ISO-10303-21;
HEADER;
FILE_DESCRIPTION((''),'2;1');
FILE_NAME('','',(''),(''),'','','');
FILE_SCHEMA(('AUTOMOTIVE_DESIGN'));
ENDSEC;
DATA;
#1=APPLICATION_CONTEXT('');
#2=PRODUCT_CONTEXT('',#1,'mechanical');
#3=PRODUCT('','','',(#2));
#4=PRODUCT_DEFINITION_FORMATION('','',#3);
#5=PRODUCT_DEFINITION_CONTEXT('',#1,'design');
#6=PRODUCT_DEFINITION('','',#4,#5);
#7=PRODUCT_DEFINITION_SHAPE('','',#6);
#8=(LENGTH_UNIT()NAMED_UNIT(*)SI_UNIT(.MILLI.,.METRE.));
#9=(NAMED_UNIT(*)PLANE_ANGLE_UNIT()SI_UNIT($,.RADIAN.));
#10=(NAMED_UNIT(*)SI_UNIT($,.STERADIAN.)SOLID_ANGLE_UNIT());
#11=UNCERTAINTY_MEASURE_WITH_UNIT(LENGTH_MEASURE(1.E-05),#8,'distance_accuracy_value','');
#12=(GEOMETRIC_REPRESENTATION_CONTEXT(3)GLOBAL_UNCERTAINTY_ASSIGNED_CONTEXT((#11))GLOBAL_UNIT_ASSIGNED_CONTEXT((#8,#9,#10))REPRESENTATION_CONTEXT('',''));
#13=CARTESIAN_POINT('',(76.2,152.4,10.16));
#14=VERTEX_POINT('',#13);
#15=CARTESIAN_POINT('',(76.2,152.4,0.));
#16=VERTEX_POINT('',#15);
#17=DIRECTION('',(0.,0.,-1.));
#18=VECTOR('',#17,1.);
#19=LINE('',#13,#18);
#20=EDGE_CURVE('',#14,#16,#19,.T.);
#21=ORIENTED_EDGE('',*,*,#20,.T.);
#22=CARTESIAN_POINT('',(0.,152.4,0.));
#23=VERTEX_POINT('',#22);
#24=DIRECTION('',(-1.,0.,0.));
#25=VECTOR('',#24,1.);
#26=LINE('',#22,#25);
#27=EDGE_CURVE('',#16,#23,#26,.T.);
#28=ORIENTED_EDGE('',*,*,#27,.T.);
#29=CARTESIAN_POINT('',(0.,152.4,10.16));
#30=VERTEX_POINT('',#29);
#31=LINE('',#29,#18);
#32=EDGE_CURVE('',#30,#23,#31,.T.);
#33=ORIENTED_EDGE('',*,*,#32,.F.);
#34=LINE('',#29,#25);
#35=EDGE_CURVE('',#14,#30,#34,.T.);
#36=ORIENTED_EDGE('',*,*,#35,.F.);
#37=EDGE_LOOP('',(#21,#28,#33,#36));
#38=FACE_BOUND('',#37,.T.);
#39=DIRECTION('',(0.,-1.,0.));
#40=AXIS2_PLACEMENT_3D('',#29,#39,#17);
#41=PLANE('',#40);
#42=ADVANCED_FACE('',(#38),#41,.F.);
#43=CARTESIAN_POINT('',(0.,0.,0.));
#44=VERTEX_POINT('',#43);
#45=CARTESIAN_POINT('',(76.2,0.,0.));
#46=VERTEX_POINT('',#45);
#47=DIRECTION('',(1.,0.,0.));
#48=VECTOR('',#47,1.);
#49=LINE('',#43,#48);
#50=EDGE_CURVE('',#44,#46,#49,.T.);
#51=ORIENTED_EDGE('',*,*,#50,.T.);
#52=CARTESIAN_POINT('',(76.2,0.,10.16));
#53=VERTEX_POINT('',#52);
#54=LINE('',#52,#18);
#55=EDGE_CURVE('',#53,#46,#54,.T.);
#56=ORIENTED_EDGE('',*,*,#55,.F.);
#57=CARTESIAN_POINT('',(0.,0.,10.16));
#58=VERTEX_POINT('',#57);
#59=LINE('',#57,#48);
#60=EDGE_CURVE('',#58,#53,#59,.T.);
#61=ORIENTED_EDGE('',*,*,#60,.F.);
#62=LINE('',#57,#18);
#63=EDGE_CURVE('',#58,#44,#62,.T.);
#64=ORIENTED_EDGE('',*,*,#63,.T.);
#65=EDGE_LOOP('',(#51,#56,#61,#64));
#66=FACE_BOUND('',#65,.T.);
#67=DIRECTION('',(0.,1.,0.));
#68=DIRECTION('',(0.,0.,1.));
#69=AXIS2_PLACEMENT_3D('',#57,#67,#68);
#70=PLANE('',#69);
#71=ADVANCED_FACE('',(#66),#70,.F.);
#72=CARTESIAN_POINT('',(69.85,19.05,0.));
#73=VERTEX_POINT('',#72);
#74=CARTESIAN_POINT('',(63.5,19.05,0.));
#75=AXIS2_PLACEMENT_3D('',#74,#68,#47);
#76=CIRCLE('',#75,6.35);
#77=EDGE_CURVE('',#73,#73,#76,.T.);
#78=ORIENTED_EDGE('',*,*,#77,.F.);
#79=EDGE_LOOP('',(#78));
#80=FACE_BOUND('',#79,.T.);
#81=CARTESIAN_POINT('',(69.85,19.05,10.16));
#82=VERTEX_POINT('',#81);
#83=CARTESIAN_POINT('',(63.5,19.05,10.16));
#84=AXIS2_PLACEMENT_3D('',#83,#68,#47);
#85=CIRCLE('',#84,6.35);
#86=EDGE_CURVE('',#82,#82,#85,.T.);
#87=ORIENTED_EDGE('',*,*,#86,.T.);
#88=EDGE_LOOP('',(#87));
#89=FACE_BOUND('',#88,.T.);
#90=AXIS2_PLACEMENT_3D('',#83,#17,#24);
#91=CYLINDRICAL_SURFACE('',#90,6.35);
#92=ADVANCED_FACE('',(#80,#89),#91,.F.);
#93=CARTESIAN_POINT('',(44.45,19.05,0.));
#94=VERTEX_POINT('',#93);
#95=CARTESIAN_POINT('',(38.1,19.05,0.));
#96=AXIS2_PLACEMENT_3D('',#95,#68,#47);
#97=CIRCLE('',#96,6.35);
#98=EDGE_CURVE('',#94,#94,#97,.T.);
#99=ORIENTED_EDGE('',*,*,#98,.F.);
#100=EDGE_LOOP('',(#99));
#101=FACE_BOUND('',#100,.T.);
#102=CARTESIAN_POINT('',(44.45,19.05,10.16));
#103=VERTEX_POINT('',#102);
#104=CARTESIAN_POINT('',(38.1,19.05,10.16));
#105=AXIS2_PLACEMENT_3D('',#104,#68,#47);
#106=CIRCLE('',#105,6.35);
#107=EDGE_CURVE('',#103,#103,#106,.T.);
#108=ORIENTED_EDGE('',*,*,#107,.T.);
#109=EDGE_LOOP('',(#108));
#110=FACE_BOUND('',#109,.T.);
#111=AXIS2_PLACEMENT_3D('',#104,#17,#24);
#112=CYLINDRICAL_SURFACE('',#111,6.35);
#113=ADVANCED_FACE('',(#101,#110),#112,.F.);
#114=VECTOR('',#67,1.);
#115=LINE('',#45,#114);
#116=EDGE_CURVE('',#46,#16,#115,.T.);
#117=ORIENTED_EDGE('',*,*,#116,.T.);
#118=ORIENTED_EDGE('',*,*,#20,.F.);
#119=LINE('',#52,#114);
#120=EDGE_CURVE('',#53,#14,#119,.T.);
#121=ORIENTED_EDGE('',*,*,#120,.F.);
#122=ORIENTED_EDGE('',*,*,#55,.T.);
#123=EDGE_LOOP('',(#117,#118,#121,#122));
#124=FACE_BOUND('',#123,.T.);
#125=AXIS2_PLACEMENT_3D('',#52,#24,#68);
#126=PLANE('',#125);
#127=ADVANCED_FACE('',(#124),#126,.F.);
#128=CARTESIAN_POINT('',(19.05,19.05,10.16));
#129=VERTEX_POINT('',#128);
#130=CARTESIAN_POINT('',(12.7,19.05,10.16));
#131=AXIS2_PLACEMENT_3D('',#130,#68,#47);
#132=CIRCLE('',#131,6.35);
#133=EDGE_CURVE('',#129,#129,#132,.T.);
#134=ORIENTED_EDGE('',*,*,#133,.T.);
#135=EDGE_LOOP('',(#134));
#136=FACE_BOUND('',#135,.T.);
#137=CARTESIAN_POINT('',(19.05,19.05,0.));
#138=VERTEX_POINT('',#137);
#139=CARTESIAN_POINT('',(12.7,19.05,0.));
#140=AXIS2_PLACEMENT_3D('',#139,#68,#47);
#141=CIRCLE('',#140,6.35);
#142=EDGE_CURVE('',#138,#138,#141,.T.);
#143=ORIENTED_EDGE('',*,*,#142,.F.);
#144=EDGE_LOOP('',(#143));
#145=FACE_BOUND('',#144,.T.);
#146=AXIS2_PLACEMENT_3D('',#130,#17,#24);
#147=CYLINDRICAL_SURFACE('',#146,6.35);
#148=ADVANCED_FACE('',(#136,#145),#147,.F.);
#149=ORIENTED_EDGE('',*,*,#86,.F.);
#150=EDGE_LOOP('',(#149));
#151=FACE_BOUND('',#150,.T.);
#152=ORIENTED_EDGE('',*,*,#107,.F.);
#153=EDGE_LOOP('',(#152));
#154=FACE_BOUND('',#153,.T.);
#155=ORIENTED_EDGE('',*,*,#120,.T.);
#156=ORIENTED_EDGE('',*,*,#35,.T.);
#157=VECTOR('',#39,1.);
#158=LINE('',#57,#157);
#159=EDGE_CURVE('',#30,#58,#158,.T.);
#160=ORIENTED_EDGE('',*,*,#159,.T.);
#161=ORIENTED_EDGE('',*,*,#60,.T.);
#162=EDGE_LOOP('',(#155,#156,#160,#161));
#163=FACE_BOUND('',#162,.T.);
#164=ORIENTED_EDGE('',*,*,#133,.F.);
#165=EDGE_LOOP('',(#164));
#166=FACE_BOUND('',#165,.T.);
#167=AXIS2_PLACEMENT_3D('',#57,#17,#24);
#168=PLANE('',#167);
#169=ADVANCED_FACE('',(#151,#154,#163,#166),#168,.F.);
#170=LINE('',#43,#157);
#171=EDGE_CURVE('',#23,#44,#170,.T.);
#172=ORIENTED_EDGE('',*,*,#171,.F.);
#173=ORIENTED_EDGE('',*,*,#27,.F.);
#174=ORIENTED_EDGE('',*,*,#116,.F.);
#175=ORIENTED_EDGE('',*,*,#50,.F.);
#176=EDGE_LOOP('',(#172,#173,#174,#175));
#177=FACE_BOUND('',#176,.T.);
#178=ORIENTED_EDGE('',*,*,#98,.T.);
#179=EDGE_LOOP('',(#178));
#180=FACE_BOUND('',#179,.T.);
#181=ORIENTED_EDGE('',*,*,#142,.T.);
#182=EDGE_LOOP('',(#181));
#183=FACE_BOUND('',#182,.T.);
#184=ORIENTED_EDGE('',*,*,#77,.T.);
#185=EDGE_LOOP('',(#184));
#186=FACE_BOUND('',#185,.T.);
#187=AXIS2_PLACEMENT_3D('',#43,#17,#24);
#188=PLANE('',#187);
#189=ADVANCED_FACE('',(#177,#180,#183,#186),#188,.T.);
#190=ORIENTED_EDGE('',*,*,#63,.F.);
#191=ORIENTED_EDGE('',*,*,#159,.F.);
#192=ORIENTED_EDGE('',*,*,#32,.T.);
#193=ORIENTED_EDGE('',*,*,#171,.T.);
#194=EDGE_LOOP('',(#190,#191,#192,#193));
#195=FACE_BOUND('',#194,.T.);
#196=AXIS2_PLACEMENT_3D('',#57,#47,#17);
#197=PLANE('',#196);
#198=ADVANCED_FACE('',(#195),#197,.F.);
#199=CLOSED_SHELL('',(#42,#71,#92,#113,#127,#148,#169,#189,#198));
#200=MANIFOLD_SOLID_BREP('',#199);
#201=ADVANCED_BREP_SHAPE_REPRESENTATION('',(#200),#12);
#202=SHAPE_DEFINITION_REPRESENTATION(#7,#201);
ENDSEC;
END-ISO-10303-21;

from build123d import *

# Parameters (mm, degrees)
SKETCH1_W           = 76.2
SKETCH1_H           = 152.4
SKETCH1_R           = 6.35
BOSS_EXTRUDE1_DEPTH = 10.16


with BuildPart() as part:
    # Sketch1 → Boss-Extrude1 (new body)
    with BuildSketch(Plane.XY):
        with Locations((38.1, 76.2)):
            Rectangle(SKETCH1_W, SKETCH1_H)
        with Locations((12.7, 19.05)):
            Circle(SKETCH1_R, mode=Mode.SUBTRACT)
        with Locations((38.1, 19.05)):
            Circle(SKETCH1_R, mode=Mode.SUBTRACT)
        with Locations((63.5, 19.05)):
            Circle(SKETCH1_R, mode=Mode.SUBTRACT)
    extrude(amount=BOSS_EXTRUDE1_DEPTH)


solid = part.part
